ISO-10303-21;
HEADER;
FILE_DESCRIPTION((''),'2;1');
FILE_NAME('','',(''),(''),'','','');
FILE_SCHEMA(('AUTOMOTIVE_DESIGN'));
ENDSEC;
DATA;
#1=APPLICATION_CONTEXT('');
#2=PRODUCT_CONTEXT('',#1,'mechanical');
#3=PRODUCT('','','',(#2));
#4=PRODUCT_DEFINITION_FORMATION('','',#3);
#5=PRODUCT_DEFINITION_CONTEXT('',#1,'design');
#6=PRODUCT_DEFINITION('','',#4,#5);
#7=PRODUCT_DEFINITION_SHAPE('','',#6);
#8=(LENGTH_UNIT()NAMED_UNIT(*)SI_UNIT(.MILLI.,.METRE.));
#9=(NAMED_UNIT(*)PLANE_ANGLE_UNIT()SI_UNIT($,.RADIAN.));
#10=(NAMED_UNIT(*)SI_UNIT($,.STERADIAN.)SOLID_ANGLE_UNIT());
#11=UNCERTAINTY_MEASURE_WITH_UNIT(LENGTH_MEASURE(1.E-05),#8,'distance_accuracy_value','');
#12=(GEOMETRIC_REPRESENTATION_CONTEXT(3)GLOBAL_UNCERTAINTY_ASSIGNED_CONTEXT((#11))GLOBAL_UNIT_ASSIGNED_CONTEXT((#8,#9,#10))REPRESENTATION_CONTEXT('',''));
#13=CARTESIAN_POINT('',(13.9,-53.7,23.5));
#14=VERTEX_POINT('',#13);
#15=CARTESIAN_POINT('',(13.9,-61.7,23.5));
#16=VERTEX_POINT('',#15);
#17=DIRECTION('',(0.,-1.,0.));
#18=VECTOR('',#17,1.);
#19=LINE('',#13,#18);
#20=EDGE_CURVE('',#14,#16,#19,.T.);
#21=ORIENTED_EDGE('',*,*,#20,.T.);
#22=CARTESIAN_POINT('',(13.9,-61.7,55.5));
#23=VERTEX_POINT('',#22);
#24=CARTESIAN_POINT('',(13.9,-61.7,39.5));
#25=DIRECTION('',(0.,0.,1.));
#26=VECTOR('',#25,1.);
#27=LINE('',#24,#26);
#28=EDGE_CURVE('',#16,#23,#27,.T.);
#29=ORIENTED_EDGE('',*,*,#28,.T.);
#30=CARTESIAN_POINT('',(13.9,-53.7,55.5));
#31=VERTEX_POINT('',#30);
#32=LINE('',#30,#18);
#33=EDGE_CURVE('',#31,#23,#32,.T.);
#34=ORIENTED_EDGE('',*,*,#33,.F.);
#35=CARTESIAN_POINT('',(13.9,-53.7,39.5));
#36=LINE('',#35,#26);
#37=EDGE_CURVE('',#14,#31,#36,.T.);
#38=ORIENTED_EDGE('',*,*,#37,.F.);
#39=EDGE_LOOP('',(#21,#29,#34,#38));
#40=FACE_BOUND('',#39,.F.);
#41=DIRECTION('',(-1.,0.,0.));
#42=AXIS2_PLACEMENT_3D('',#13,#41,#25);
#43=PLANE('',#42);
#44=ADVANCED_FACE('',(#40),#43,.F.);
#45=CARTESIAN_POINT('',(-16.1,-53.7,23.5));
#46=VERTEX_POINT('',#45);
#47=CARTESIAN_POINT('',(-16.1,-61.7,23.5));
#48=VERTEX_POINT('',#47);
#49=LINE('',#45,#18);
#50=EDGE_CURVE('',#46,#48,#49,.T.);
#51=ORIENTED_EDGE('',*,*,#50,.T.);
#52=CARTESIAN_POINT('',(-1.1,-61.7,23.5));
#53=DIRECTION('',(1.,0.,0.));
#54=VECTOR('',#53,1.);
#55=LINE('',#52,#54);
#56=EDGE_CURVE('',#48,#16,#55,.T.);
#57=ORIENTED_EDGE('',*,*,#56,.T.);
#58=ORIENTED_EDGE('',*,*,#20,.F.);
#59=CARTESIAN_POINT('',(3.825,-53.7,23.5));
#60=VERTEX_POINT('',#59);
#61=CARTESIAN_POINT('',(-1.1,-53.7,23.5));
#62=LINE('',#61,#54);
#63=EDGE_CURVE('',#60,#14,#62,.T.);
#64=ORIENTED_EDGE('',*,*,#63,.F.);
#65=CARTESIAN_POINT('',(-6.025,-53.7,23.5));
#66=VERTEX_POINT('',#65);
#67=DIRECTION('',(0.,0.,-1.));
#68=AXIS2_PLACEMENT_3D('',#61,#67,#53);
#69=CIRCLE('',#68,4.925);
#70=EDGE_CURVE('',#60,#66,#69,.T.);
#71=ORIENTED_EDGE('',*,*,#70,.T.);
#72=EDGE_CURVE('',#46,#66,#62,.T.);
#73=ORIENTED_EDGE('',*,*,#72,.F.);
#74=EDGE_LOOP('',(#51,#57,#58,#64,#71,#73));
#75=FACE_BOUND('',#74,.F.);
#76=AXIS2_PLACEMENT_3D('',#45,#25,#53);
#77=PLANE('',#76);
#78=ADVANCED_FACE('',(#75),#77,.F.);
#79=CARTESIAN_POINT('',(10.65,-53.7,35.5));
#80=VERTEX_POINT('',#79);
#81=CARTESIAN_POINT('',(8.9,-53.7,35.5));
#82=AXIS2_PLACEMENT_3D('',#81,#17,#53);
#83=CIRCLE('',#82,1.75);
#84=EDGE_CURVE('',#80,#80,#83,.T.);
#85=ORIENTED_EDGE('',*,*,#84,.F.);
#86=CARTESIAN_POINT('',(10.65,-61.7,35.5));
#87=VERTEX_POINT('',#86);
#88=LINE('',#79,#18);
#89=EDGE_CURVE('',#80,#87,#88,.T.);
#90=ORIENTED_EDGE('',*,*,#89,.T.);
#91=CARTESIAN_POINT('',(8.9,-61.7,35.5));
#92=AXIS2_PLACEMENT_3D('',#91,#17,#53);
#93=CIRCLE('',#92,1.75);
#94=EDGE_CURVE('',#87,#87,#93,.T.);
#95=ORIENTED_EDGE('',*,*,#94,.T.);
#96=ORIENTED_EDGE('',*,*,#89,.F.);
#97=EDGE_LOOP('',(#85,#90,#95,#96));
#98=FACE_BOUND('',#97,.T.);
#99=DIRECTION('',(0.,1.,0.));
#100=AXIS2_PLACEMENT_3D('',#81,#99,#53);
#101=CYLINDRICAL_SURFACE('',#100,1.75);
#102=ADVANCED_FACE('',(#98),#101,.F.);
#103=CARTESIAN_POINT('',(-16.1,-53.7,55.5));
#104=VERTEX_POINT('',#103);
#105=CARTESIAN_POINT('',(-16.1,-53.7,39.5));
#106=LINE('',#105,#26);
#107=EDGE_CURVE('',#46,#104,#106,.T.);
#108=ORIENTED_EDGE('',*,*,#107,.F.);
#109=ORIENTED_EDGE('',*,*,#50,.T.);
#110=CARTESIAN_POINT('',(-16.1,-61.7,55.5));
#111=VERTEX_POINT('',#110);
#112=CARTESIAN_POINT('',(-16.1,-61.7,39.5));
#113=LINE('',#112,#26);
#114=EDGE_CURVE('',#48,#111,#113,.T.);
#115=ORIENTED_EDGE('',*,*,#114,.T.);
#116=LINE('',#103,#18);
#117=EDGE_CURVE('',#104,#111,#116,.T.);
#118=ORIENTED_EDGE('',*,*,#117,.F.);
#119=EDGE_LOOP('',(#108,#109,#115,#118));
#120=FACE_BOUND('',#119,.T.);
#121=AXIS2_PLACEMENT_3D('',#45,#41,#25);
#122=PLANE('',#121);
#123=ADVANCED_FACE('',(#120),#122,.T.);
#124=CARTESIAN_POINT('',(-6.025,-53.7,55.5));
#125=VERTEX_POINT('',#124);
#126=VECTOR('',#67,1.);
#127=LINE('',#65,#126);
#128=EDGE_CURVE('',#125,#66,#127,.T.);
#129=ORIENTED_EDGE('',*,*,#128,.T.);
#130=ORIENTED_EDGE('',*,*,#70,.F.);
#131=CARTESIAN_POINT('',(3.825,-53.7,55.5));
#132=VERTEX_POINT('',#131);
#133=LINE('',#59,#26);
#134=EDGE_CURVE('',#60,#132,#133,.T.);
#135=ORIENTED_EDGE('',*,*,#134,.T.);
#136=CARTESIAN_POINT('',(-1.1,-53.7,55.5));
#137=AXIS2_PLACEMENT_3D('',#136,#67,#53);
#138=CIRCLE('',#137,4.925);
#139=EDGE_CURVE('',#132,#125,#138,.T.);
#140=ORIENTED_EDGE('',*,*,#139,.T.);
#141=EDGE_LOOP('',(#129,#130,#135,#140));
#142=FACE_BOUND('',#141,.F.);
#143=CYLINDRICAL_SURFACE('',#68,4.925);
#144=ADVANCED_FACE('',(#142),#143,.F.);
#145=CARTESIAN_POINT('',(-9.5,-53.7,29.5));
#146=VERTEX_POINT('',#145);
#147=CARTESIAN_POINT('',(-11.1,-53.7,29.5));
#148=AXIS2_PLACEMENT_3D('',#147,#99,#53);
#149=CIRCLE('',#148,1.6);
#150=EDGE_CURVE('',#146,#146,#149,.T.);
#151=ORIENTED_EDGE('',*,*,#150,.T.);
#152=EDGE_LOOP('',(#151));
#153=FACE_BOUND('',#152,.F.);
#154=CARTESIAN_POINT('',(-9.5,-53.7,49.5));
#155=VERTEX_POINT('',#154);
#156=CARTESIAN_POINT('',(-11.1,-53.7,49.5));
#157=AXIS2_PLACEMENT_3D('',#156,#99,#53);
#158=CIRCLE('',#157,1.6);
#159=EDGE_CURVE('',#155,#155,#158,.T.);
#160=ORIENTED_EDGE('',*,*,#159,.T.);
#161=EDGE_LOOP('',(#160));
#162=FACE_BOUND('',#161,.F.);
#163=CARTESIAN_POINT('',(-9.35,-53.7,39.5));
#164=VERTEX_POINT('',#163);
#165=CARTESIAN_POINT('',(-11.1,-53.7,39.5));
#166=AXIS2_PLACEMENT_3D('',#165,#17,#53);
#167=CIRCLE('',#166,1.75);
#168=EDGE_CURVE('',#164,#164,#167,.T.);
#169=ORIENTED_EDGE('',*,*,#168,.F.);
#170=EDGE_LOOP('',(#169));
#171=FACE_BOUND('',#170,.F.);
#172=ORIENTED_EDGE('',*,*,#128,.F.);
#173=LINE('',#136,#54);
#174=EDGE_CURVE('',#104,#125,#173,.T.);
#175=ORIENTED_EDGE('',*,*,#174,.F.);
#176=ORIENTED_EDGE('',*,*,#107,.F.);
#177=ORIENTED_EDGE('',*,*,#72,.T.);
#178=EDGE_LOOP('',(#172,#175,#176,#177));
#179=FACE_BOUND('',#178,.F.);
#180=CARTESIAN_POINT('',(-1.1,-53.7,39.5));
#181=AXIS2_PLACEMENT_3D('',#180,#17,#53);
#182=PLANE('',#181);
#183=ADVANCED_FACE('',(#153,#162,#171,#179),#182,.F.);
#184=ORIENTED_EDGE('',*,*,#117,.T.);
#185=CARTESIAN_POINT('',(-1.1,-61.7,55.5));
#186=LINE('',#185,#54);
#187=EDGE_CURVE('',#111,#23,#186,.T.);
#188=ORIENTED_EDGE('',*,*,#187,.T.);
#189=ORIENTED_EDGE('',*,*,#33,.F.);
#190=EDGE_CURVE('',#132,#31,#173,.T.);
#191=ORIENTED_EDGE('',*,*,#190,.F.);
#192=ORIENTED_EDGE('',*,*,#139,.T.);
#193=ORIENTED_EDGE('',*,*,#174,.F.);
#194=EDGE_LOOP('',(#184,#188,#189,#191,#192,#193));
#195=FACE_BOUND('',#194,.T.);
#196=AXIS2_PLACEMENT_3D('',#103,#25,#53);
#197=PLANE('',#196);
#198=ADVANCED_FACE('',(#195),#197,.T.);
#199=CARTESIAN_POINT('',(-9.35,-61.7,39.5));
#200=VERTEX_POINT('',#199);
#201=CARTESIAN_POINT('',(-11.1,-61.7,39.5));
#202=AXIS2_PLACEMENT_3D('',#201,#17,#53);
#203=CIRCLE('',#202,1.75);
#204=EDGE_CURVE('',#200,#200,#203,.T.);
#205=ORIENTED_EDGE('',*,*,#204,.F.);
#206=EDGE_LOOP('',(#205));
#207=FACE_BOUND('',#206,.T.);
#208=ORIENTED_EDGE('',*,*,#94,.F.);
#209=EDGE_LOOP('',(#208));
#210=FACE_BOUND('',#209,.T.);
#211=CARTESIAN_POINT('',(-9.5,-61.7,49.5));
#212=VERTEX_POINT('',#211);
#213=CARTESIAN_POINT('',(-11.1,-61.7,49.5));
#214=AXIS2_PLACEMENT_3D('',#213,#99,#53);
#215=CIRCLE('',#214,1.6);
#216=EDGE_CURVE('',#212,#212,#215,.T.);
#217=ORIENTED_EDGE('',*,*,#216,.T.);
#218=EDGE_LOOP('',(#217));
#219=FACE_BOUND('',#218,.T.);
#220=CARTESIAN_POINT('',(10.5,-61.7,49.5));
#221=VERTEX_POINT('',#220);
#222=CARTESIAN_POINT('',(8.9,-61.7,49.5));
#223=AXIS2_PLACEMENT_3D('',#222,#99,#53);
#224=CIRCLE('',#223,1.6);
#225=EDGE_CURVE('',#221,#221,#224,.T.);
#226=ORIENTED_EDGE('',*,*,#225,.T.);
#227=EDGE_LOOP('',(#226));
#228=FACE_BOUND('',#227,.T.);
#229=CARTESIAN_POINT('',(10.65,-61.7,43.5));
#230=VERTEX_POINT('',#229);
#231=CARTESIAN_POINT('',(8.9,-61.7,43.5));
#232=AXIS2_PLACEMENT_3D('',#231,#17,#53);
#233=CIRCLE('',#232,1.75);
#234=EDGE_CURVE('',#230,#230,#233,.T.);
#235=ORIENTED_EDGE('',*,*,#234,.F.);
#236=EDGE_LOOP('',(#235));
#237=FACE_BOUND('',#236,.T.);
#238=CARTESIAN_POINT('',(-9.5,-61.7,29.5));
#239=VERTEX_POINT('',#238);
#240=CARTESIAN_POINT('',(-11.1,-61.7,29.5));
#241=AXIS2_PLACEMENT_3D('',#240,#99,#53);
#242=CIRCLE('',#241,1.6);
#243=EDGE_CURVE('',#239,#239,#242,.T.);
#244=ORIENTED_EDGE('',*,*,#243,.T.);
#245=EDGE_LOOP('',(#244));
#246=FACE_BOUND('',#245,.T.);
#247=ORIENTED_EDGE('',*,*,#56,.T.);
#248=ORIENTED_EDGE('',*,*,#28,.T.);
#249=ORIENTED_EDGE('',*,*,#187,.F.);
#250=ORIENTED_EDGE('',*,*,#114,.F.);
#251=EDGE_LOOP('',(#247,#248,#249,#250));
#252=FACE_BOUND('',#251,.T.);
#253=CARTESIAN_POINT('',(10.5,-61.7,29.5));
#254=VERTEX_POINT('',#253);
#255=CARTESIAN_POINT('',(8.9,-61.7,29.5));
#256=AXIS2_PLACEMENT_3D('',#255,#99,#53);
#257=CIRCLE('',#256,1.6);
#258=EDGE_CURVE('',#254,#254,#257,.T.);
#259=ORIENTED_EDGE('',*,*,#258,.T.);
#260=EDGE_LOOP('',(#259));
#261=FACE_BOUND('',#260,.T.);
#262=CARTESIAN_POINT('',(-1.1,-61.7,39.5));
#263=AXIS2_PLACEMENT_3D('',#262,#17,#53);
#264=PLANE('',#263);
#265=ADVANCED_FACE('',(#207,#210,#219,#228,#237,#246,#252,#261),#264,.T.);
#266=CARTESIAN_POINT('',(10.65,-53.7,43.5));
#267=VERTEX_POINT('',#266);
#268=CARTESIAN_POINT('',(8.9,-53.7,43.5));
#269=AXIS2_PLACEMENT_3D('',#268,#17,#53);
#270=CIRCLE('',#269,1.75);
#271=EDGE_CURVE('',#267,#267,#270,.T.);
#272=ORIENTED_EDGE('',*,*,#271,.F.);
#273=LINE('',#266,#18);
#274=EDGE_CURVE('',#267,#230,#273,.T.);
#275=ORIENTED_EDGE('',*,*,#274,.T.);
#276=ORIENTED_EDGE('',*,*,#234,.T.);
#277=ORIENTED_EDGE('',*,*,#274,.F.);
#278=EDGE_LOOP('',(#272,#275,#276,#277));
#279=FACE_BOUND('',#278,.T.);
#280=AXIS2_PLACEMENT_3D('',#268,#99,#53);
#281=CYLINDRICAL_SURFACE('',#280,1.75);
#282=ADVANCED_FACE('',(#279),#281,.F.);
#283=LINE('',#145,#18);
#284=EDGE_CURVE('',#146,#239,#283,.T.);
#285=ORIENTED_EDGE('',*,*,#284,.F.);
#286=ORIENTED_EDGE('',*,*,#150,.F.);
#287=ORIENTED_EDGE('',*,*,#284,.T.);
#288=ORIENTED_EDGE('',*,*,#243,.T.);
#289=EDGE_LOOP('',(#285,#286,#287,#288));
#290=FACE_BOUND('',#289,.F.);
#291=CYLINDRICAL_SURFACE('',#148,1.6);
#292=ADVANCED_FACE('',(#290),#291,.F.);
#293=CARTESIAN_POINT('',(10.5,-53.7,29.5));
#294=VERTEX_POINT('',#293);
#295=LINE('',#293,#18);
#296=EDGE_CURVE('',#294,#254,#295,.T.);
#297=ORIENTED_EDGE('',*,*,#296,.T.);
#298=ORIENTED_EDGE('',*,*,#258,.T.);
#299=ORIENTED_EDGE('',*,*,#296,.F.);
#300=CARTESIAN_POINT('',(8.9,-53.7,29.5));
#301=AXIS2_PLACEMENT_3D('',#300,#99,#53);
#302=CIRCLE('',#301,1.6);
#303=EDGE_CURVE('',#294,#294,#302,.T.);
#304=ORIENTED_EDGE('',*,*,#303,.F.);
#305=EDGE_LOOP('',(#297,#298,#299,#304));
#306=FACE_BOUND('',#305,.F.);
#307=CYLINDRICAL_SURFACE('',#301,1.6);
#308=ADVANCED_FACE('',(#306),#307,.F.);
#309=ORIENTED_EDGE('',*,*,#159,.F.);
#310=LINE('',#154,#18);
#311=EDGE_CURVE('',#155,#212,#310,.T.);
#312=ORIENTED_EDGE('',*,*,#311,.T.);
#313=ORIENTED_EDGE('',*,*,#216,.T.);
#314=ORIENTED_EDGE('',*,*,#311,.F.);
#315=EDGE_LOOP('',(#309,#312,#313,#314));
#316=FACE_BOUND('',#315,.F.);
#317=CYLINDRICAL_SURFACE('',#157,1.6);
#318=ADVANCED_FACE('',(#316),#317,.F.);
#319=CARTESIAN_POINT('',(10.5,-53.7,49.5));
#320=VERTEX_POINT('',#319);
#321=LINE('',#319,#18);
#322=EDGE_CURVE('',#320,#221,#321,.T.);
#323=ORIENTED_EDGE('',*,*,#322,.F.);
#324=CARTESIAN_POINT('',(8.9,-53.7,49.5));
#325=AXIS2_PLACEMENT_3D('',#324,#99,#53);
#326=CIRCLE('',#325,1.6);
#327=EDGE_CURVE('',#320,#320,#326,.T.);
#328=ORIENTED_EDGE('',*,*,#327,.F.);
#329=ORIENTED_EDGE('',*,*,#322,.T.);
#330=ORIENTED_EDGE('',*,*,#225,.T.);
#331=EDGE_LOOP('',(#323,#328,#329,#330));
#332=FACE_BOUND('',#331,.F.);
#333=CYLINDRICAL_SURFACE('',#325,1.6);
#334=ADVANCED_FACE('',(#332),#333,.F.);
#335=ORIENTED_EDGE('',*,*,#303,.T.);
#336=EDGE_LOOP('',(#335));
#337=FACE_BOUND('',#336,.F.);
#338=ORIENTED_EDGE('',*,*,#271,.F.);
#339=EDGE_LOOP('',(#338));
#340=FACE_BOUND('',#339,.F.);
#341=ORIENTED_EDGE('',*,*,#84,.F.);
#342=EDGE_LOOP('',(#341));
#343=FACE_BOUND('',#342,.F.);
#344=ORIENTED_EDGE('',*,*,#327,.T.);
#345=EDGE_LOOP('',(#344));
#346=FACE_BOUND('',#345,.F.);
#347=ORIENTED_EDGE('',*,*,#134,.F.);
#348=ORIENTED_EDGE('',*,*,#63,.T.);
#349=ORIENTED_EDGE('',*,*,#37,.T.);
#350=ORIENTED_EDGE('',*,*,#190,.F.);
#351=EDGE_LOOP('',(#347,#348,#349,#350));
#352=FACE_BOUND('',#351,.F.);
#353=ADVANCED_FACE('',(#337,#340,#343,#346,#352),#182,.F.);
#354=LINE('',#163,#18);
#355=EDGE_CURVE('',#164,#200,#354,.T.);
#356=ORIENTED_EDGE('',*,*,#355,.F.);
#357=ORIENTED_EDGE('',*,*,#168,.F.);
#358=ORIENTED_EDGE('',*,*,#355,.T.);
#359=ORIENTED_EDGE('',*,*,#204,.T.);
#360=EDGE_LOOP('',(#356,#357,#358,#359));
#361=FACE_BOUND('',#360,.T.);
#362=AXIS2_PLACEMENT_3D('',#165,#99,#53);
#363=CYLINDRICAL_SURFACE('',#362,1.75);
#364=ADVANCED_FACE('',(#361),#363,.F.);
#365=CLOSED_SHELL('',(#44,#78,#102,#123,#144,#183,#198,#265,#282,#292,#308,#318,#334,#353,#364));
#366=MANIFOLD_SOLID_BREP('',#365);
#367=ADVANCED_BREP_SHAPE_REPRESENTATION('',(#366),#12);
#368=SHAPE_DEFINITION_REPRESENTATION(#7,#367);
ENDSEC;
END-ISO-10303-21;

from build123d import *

# Parameters (mm, degrees)
SKETCH063_W     = 30
SKETCH063_H     = 32
SKETCH063_R     = 1.75
PAD039_DEPTH    = 8
SKETCH064_R     = 4.925
POCKET025_DEPTH = 38
SKETCH065_R     = 1.6
POCKET026_DEPTH = 10


with BuildPart() as part:
    # Sketch063 → Pad039 (new body)
    with BuildSketch(Plane.XZ):
        Rectangle(SKETCH063_W, SKETCH063_H)
        with Locations((-10, 0)):
            Circle(SKETCH063_R, mode=Mode.SUBTRACT)
        with Locations((10, 4)):
            Circle(SKETCH063_R, mode=Mode.SUBTRACT)
        with Locations((10, -4)):
            Circle(SKETCH063_R, mode=Mode.SUBTRACT)
    extrude(amount=PAD039_DEPTH)

    # Sketch064 (on Face3 of Pad039) → Pocket025 (cut)
    with BuildSketch(Plane(origin=(0, 0, -16), x_dir=(1, 0, 0), z_dir=(0, 0, -1))):
        Circle(SKETCH064_R)
    extrude(amount=-POCKET025_DEPTH, mode=Mode.SUBTRACT)

    # Sketch065 (on Face2 of Pocket025) → Pocket026 (cut)
    with BuildSketch(Plane(origin=(0, 0, 0), x_dir=(1, 0, 0), z_dir=(0, 1, 0))):
        with Locations((26.925, 5)):
            Circle(SKETCH065_R)
        with Locations((-10, 10)):
            Circle(SKETCH065_R)
        with Locations((10, 10)):
            Circle(SKETCH065_R)
        with Locations((10, -10)):
            Circle(SKETCH065_R)
        with Locations((-10, -10)):
            Circle(SKETCH065_R)
    extrude(amount=-POCKET026_DEPTH, mode=Mode.SUBTRACT)


with BuildPart() as part_1:
    # Body011 placement: moved
    add(part.part.moved(Location((-1.1, -53.7, 39.5))))


solid = part_1.part
